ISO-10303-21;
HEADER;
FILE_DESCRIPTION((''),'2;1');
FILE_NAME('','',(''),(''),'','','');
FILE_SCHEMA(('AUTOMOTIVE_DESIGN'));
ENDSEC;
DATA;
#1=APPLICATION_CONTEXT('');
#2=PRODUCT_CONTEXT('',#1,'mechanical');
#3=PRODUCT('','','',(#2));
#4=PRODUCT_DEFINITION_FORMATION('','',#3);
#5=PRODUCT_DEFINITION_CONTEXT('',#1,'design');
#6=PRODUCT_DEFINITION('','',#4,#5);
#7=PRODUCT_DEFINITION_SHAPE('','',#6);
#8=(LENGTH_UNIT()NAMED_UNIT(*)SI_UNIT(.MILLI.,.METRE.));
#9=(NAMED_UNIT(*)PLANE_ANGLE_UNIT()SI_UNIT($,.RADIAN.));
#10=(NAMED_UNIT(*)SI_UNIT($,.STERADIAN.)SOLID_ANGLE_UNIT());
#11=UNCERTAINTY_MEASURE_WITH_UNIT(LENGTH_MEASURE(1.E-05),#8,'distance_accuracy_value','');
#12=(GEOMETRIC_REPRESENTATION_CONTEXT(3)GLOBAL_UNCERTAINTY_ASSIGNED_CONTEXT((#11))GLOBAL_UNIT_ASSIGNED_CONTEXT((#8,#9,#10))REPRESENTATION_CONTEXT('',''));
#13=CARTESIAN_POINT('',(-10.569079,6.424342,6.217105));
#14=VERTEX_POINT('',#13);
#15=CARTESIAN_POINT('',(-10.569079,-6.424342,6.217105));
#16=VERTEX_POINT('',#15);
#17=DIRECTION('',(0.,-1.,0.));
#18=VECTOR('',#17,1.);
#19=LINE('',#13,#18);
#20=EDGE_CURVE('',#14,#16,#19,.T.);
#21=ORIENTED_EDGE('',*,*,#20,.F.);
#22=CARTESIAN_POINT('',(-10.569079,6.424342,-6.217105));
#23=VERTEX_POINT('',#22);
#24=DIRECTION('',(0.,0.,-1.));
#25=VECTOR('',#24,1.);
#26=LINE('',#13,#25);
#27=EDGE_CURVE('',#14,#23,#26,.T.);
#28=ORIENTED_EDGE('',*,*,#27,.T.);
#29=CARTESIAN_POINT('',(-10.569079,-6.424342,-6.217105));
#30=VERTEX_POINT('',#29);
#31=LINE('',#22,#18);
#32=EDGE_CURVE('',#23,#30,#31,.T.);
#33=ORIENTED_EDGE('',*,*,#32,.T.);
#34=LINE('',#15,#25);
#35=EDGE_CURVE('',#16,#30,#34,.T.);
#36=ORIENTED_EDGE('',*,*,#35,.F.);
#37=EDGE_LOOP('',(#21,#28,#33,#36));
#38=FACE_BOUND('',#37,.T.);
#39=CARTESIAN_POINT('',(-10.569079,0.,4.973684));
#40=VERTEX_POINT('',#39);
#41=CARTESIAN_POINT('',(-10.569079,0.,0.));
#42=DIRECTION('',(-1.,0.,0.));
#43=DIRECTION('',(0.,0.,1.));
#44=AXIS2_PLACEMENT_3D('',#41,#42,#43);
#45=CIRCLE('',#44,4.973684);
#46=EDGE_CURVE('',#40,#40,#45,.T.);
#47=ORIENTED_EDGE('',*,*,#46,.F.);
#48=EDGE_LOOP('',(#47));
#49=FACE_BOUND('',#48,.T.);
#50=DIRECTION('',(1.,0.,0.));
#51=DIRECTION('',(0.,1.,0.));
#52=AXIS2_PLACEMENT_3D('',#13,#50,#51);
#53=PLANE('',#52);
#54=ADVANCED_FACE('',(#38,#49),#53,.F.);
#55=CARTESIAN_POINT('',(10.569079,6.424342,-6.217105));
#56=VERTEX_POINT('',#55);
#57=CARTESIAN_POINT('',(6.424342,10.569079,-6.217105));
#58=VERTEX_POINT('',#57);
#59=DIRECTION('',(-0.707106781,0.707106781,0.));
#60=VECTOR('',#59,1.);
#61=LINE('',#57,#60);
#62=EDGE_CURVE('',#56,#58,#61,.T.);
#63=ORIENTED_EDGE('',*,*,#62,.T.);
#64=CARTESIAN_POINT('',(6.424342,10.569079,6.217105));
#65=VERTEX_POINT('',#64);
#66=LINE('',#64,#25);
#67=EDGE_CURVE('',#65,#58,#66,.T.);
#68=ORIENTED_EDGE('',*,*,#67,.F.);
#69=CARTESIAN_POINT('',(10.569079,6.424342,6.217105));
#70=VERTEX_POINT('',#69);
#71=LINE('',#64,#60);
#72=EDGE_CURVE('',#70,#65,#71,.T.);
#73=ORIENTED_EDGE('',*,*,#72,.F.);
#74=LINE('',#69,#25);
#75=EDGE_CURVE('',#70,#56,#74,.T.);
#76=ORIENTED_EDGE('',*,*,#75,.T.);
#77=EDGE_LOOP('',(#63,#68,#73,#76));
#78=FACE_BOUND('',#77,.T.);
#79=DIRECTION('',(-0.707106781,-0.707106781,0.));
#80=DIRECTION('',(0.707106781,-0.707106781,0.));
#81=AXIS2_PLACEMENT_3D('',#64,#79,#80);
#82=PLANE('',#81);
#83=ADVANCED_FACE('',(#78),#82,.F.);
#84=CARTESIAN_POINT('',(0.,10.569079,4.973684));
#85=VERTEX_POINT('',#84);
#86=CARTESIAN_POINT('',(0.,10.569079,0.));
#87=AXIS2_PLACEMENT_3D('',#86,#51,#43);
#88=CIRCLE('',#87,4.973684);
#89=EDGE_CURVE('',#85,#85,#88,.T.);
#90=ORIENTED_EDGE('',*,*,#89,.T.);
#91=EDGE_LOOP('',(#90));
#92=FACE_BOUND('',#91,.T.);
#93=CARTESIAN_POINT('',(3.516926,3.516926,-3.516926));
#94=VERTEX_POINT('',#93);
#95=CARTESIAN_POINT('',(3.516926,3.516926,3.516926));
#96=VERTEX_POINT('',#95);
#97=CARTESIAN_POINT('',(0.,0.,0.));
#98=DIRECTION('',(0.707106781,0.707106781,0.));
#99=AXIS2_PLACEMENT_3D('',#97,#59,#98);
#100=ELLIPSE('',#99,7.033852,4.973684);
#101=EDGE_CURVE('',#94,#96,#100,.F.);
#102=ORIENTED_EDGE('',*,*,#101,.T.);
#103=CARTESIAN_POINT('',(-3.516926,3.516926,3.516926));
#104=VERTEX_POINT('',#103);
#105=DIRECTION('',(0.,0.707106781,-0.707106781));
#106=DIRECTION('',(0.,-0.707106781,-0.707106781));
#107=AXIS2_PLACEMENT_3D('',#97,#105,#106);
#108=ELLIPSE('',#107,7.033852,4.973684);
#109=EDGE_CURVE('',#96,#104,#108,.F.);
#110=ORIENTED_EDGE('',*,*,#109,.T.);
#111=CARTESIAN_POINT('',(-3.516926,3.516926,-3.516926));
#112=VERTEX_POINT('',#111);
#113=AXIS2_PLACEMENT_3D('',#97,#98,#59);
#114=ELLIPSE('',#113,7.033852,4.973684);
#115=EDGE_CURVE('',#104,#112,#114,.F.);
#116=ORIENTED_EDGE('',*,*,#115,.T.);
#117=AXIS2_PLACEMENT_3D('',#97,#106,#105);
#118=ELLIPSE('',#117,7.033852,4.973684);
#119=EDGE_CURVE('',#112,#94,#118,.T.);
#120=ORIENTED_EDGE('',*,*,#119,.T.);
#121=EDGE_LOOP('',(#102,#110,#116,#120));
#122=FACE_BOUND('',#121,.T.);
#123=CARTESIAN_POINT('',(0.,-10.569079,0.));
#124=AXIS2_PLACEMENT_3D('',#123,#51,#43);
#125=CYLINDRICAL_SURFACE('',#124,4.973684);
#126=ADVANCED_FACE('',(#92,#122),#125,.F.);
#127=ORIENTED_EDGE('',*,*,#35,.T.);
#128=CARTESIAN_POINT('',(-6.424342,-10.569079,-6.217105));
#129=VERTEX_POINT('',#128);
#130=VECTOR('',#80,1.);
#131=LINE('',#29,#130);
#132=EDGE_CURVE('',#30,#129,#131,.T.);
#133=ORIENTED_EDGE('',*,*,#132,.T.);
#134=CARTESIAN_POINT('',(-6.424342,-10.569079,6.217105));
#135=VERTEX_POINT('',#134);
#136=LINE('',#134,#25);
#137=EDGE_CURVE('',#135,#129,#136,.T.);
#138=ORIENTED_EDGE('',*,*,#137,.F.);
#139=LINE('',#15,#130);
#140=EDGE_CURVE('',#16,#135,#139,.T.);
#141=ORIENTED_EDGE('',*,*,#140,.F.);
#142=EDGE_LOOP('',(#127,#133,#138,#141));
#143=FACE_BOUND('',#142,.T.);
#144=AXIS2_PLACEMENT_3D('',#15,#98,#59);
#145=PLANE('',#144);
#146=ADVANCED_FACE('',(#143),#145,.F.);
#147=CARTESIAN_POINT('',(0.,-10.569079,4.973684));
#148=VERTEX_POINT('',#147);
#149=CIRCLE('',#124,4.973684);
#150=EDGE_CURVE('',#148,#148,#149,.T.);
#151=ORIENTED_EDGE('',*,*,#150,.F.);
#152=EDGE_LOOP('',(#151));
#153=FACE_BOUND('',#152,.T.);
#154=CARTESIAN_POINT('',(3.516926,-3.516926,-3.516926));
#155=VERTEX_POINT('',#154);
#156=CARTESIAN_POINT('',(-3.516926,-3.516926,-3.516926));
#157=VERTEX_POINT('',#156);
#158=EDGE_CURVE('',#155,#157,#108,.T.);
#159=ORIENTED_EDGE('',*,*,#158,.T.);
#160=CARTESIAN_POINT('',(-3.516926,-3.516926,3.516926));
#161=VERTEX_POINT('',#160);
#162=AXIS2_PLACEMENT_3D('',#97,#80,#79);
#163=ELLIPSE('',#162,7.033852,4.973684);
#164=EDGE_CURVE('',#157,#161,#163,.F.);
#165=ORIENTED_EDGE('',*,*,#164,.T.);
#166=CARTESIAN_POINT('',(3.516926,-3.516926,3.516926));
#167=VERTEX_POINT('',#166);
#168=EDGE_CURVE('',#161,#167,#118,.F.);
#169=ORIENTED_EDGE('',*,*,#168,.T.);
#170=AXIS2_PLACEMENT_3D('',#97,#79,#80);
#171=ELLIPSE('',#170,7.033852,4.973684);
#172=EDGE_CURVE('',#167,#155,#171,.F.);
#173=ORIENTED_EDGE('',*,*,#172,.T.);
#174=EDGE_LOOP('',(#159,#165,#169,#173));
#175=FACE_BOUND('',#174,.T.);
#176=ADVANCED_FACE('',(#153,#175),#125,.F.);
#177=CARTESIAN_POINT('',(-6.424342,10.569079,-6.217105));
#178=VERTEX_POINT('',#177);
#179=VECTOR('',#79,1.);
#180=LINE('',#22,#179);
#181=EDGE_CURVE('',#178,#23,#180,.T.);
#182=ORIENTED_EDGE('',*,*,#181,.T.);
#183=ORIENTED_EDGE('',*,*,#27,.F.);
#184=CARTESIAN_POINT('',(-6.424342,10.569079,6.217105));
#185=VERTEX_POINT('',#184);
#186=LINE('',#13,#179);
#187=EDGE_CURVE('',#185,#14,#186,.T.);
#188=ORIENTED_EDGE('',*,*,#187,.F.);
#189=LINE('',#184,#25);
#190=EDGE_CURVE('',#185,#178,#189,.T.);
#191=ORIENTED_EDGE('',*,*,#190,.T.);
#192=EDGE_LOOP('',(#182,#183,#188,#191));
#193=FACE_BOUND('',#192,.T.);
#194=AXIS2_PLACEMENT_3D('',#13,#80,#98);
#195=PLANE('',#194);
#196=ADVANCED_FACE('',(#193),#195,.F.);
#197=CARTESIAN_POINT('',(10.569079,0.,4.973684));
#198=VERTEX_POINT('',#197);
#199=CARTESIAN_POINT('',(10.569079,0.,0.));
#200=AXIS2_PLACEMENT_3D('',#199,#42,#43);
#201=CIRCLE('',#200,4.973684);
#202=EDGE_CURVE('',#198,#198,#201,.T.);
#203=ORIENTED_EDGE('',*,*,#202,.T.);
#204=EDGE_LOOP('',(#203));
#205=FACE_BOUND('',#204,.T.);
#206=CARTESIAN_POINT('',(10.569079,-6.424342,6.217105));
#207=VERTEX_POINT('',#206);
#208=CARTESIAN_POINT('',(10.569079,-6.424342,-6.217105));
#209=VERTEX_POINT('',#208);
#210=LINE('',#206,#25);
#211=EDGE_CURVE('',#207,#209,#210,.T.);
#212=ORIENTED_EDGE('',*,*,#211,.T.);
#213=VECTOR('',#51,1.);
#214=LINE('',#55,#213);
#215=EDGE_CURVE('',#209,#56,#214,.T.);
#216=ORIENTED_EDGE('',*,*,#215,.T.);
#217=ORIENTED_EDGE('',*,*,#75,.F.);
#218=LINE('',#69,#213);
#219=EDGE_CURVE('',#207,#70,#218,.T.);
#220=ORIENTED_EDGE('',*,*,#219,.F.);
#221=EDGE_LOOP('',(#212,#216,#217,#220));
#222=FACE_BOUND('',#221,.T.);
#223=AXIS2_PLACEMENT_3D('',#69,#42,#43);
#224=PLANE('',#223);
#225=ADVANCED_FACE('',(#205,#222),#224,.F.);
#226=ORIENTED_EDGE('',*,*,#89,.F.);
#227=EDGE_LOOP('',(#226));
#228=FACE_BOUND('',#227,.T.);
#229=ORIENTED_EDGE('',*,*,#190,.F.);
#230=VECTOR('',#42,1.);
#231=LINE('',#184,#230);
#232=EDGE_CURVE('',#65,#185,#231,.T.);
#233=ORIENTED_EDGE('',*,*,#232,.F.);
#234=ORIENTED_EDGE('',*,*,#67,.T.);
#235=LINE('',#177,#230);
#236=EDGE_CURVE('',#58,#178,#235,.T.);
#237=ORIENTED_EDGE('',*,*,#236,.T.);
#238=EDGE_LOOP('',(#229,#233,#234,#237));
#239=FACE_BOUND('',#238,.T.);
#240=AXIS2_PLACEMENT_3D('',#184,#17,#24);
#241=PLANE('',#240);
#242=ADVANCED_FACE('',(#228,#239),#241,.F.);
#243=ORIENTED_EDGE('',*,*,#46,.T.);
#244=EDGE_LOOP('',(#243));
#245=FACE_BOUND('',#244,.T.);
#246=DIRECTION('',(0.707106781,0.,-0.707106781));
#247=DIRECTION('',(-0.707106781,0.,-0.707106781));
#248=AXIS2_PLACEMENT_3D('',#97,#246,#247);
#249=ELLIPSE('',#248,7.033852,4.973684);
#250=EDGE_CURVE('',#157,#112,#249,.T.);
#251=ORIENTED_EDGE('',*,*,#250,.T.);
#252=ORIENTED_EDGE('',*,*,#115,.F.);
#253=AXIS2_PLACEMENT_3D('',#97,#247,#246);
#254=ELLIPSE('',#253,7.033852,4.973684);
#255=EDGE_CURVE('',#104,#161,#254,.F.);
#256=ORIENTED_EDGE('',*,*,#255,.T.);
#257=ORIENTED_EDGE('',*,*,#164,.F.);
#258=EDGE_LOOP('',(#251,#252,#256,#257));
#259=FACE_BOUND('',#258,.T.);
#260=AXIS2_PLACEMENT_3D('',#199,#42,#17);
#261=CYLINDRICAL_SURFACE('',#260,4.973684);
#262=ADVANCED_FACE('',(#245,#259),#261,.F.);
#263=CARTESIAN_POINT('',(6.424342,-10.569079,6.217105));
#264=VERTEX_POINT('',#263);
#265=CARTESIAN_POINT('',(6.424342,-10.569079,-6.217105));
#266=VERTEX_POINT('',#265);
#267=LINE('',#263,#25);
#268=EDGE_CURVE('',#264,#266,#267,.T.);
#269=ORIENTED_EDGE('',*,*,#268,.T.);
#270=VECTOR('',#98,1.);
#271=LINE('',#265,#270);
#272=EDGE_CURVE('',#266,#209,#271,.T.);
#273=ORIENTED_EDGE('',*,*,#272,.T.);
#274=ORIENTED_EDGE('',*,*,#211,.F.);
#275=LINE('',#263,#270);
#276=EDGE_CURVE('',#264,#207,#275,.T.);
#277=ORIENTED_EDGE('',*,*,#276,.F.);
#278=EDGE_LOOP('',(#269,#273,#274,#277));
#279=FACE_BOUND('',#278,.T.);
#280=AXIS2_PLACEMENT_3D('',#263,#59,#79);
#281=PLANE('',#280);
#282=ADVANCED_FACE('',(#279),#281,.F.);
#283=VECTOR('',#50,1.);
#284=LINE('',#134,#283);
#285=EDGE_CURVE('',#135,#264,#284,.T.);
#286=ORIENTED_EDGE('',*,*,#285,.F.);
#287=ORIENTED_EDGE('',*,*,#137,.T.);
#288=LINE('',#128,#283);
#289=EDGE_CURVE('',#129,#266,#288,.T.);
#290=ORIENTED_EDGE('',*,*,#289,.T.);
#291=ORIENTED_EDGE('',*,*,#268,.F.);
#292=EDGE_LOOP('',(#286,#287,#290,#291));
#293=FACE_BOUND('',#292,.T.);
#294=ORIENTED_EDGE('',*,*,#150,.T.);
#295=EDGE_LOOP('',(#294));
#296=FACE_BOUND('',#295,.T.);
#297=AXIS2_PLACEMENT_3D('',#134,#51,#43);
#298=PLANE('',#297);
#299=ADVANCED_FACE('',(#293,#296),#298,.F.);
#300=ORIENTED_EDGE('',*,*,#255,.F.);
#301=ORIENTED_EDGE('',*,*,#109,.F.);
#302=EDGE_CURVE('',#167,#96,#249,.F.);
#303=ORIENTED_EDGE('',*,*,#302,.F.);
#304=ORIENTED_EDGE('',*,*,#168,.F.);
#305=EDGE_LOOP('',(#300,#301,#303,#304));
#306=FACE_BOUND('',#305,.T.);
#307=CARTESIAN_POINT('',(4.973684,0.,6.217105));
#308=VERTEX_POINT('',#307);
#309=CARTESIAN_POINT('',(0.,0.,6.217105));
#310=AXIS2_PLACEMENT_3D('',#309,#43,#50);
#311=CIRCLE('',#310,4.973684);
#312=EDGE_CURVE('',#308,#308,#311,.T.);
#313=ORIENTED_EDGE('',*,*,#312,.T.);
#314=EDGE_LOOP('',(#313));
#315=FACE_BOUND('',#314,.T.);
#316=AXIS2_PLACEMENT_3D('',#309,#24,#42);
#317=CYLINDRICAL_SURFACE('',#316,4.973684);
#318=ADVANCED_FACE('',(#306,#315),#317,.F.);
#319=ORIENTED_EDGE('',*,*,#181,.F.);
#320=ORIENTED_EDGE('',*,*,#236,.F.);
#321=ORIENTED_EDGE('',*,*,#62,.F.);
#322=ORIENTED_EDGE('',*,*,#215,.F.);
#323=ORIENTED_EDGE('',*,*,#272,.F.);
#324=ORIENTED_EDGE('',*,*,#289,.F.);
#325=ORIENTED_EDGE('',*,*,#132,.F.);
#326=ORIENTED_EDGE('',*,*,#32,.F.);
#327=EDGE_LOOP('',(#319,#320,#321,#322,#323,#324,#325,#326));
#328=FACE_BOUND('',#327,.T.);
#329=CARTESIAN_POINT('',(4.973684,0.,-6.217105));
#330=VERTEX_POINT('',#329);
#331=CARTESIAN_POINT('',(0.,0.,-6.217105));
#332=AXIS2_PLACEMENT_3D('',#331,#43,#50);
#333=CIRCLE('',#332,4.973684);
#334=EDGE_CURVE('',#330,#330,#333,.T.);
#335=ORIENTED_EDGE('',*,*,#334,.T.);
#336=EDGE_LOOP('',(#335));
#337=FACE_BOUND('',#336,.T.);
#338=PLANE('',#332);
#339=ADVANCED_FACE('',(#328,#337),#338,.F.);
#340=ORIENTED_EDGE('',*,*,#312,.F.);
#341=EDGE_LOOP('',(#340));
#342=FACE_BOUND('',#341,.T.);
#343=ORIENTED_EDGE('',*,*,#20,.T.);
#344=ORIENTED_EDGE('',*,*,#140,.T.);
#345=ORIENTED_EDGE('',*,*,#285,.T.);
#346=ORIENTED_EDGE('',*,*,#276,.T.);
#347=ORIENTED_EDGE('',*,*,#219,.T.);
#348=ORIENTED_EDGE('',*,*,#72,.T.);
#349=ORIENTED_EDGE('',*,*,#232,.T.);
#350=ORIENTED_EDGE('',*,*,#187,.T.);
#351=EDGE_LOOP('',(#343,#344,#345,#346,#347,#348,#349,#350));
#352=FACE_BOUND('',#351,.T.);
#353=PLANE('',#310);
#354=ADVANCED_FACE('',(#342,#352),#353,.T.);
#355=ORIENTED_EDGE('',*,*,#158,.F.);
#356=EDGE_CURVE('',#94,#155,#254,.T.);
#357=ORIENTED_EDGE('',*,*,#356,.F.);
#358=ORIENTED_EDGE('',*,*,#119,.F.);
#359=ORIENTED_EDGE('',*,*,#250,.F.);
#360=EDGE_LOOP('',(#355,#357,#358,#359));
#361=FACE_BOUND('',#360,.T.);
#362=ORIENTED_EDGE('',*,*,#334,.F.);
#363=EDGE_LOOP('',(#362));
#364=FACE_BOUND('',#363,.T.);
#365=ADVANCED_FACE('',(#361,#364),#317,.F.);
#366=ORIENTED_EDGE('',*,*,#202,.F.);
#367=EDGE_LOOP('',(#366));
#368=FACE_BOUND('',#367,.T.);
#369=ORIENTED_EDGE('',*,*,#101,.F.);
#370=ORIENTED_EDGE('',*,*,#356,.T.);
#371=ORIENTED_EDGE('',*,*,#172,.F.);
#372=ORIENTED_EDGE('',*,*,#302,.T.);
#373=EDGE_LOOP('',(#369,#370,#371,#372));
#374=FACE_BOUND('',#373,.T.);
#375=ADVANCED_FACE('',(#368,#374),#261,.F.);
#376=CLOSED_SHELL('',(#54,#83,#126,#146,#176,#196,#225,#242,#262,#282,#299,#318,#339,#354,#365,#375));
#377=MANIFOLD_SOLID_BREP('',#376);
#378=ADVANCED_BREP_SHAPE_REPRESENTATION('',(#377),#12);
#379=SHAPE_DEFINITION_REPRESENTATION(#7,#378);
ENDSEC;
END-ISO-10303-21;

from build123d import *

# Parameters (mm, degrees)
SKETCH1_R           = 6
BOSS_EXTRUDE1_DEPTH = 7.5
SKETCH3_R           = 6
CUT_EXTRUDE1_DEPTH  = 30.479866011
CIRPATTERN1_COUNT   = 4
SCALE1_SCALE        = 0.828947368


with BuildPart() as part:
    # Sketch1 → Boss-Extrude1 (new, symmetric)
    with BuildSketch(Plane.XY):
        Polygon((-12.75, 7.75), (-7.75, 12.75), (7.75, 12.75), (12.75, 7.75), (12.75, -7.75), (7.75, -12.75), (-7.75, -12.75), (-12.75, -7.75), align=None)
        Circle(SKETCH1_R, mode=Mode.SUBTRACT)
    extrude(amount=BOSS_EXTRUDE1_DEPTH, both=True)

    # Sketch3 → Cut-Extrude1 (cut, through all)
    with BuildSketch(Plane(origin=(0, 12.75, 0), x_dir=(1, 0, 0), z_dir=(0, 1, 0))):
        with Locations(Location((0, 0, 0), (0, 0, 270))):
            Circle(SKETCH3_R)
    cut_extrude1 = extrude(amount=-CUT_EXTRUDE1_DEPTH, mode=Mode.SUBTRACT)

    # CirPattern1: Cut-Extrude1 ×4 about axis
    cirpattern1_axis = Axis((0, 0, 7.5), (0, 0, -1))
    for i in range(1, CIRPATTERN1_COUNT):
        add(cut_extrude1.rotate(cirpattern1_axis, i * 360 / CIRPATTERN1_COUNT), mode=Mode.SUBTRACT)


with BuildPart() as part_1:
    # Scale1: scaled about (0, 0, 0)
    add(part.part.scale(SCALE1_SCALE))


solid = part_1.part
